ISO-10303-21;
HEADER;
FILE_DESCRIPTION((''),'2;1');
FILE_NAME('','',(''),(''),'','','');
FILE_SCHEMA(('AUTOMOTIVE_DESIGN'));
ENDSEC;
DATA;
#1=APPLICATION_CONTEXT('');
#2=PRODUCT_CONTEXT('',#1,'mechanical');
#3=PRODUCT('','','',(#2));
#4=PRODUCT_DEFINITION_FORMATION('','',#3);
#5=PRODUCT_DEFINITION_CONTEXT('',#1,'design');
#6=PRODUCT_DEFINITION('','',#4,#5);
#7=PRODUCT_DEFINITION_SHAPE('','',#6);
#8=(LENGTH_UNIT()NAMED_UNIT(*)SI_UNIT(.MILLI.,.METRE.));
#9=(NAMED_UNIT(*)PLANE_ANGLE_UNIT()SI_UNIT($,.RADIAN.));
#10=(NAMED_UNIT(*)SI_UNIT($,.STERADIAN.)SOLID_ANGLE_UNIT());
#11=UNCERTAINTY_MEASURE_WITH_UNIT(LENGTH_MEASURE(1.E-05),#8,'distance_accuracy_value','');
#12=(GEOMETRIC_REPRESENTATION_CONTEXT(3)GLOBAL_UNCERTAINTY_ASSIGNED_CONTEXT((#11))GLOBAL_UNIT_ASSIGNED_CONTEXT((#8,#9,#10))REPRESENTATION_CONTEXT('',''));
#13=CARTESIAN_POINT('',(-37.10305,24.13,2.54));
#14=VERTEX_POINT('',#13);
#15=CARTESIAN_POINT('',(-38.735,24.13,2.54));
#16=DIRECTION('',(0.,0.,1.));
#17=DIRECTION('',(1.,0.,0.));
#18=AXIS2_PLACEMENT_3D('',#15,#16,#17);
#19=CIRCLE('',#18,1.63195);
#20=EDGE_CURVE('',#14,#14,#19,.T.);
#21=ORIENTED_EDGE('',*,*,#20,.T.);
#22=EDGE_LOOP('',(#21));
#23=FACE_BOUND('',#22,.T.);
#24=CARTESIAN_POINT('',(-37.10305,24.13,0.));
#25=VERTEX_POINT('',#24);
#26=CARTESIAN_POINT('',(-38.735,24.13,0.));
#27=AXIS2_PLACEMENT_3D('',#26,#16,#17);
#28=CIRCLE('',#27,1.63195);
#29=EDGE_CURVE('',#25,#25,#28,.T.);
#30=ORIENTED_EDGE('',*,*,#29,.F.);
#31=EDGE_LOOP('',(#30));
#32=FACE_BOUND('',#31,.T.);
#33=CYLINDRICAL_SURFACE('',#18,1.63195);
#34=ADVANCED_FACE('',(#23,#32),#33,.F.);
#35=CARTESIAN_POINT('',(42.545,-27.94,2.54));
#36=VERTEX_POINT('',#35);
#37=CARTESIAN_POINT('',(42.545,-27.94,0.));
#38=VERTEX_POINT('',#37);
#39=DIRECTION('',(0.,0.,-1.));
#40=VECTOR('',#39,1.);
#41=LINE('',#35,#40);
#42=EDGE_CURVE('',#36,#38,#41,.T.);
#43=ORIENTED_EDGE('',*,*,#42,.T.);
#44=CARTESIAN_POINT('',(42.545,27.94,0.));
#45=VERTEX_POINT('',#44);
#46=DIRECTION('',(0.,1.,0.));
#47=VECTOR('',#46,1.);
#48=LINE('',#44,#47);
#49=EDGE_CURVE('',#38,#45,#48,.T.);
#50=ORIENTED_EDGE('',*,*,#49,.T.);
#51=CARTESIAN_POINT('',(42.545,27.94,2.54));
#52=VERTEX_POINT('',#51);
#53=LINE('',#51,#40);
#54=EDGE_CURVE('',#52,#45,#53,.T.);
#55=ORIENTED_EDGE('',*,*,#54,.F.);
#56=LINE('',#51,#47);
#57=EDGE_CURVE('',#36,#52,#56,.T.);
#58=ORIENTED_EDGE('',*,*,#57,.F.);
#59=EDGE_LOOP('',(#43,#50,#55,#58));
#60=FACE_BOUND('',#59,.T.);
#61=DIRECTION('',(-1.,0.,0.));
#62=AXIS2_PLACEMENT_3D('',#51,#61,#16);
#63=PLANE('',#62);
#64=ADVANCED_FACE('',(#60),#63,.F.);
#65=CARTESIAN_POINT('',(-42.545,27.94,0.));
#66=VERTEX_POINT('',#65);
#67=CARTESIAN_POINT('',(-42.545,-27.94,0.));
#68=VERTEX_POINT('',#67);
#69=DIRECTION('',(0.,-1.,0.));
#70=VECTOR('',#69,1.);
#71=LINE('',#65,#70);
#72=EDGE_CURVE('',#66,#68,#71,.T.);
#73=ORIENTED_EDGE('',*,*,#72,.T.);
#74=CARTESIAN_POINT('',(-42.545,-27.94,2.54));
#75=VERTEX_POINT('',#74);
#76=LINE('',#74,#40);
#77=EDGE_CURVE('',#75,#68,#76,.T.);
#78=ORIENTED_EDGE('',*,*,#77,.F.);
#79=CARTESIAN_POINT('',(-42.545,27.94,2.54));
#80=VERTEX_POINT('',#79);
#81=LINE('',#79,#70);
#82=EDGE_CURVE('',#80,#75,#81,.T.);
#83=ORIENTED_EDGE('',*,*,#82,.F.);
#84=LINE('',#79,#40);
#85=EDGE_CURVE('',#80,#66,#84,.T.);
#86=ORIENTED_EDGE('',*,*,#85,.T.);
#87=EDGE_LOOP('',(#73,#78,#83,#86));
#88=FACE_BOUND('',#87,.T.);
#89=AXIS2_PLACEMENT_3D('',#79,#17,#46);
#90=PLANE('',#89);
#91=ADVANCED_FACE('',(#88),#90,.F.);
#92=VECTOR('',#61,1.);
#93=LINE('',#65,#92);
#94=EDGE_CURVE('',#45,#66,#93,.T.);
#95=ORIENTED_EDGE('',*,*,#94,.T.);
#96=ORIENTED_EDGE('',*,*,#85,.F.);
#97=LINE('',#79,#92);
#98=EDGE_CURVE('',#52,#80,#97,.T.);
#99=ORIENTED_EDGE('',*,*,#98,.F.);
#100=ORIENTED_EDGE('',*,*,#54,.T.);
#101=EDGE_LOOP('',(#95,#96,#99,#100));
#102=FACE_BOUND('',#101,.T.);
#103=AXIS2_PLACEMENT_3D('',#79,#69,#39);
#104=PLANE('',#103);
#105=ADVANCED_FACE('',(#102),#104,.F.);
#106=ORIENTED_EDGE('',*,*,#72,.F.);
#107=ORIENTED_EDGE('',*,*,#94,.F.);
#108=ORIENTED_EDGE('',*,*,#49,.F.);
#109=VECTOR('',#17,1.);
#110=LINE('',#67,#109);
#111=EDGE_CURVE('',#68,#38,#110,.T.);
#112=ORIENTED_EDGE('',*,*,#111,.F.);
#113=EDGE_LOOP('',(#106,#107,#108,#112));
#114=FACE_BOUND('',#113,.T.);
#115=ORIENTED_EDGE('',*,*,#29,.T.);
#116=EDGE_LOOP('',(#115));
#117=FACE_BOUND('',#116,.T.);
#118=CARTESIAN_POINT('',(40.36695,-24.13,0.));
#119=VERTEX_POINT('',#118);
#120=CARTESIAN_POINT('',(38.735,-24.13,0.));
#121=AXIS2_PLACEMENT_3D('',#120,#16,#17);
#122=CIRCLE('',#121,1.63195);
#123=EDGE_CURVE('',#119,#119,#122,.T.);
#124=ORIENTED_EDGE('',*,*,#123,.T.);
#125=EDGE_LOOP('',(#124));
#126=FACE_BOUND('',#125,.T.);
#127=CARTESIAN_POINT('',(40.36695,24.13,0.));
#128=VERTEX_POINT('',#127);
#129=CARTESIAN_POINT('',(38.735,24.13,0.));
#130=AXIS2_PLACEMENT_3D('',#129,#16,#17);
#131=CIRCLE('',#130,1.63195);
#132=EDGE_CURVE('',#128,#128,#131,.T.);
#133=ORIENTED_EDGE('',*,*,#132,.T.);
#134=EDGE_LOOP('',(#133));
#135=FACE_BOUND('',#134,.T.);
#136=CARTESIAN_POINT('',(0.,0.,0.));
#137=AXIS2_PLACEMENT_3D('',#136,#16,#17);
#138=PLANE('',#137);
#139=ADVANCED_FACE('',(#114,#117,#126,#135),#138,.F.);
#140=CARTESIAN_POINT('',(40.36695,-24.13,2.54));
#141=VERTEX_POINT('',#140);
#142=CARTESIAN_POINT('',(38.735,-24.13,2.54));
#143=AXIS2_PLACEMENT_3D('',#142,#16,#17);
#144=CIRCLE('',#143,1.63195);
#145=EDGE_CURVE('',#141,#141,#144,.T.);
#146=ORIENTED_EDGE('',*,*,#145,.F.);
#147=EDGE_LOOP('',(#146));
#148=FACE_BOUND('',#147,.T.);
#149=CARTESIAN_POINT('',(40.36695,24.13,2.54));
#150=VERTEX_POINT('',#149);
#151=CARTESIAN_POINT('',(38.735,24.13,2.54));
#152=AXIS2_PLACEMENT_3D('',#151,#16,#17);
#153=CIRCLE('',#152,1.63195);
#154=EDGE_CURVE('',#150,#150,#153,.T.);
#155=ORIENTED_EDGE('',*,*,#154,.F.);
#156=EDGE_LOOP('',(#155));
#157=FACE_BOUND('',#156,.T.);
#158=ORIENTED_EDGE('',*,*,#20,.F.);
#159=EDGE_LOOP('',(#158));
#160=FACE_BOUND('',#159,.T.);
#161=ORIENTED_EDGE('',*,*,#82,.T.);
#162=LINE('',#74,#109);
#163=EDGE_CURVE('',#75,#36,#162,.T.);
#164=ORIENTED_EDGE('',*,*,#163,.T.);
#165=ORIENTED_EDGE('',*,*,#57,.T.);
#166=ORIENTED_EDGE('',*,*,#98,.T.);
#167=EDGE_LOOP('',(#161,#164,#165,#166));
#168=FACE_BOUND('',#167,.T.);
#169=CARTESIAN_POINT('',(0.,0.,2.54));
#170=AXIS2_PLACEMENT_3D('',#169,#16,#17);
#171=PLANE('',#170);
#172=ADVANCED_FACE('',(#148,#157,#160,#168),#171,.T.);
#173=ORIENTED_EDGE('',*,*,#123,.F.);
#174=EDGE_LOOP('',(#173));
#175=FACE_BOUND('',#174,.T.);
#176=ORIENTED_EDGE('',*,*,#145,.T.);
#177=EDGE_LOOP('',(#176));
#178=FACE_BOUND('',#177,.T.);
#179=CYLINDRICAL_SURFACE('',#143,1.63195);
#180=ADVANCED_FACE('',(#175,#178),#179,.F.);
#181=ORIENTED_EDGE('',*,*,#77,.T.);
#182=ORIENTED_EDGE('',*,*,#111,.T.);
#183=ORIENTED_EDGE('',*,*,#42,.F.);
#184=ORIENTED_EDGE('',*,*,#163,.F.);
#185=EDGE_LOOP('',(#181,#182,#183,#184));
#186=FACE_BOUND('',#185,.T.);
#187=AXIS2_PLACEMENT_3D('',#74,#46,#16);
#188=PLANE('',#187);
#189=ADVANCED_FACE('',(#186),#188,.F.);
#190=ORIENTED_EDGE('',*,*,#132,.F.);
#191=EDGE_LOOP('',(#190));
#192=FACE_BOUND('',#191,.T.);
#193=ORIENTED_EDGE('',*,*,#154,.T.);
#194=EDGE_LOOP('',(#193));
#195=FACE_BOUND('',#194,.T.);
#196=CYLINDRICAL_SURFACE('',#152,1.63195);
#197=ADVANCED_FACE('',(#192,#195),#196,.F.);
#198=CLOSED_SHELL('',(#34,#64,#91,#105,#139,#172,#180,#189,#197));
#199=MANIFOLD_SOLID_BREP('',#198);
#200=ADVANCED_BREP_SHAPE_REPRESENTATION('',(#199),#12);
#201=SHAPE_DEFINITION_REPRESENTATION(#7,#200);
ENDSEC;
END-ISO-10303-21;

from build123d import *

# Parameters (mm, degrees)
SKETCH1_W                 = 85.09
SKETCH1_H                 = 55.88
BOSS_EXTRUDE1_DEPTH       = 2.54
F_4_CLEARANCE_HOLE1_D     = 3.2639
F_4_CLEARANCE_HOLE1_DEPTH = 9.652
F_4_CLEARANCE_HOLE1_TIP   = 0.980574487


with BuildPart() as part:
    # Sketch1 → Boss-Extrude1 (new body)
    with BuildSketch(Plane.XY):
        Rectangle(SKETCH1_W, SKETCH1_H)
    extrude(amount=BOSS_EXTRUDE1_DEPTH)

    # #4 Clearance Hole1
    with Locations(Plane.XY.offset(2.54)):
        with Locations((-38.735, 24.13), (38.735, -24.13), (38.735, 24.13)):
            Hole(F_4_CLEARANCE_HOLE1_D / 2, depth=F_4_CLEARANCE_HOLE1_DEPTH)
            with Locations((0, 0, -(F_4_CLEARANCE_HOLE1_DEPTH + F_4_CLEARANCE_HOLE1_TIP / 2))):  # 118° drill point
                Cone(0, F_4_CLEARANCE_HOLE1_D / 2, F_4_CLEARANCE_HOLE1_TIP, mode=Mode.SUBTRACT)


solid = part.part
